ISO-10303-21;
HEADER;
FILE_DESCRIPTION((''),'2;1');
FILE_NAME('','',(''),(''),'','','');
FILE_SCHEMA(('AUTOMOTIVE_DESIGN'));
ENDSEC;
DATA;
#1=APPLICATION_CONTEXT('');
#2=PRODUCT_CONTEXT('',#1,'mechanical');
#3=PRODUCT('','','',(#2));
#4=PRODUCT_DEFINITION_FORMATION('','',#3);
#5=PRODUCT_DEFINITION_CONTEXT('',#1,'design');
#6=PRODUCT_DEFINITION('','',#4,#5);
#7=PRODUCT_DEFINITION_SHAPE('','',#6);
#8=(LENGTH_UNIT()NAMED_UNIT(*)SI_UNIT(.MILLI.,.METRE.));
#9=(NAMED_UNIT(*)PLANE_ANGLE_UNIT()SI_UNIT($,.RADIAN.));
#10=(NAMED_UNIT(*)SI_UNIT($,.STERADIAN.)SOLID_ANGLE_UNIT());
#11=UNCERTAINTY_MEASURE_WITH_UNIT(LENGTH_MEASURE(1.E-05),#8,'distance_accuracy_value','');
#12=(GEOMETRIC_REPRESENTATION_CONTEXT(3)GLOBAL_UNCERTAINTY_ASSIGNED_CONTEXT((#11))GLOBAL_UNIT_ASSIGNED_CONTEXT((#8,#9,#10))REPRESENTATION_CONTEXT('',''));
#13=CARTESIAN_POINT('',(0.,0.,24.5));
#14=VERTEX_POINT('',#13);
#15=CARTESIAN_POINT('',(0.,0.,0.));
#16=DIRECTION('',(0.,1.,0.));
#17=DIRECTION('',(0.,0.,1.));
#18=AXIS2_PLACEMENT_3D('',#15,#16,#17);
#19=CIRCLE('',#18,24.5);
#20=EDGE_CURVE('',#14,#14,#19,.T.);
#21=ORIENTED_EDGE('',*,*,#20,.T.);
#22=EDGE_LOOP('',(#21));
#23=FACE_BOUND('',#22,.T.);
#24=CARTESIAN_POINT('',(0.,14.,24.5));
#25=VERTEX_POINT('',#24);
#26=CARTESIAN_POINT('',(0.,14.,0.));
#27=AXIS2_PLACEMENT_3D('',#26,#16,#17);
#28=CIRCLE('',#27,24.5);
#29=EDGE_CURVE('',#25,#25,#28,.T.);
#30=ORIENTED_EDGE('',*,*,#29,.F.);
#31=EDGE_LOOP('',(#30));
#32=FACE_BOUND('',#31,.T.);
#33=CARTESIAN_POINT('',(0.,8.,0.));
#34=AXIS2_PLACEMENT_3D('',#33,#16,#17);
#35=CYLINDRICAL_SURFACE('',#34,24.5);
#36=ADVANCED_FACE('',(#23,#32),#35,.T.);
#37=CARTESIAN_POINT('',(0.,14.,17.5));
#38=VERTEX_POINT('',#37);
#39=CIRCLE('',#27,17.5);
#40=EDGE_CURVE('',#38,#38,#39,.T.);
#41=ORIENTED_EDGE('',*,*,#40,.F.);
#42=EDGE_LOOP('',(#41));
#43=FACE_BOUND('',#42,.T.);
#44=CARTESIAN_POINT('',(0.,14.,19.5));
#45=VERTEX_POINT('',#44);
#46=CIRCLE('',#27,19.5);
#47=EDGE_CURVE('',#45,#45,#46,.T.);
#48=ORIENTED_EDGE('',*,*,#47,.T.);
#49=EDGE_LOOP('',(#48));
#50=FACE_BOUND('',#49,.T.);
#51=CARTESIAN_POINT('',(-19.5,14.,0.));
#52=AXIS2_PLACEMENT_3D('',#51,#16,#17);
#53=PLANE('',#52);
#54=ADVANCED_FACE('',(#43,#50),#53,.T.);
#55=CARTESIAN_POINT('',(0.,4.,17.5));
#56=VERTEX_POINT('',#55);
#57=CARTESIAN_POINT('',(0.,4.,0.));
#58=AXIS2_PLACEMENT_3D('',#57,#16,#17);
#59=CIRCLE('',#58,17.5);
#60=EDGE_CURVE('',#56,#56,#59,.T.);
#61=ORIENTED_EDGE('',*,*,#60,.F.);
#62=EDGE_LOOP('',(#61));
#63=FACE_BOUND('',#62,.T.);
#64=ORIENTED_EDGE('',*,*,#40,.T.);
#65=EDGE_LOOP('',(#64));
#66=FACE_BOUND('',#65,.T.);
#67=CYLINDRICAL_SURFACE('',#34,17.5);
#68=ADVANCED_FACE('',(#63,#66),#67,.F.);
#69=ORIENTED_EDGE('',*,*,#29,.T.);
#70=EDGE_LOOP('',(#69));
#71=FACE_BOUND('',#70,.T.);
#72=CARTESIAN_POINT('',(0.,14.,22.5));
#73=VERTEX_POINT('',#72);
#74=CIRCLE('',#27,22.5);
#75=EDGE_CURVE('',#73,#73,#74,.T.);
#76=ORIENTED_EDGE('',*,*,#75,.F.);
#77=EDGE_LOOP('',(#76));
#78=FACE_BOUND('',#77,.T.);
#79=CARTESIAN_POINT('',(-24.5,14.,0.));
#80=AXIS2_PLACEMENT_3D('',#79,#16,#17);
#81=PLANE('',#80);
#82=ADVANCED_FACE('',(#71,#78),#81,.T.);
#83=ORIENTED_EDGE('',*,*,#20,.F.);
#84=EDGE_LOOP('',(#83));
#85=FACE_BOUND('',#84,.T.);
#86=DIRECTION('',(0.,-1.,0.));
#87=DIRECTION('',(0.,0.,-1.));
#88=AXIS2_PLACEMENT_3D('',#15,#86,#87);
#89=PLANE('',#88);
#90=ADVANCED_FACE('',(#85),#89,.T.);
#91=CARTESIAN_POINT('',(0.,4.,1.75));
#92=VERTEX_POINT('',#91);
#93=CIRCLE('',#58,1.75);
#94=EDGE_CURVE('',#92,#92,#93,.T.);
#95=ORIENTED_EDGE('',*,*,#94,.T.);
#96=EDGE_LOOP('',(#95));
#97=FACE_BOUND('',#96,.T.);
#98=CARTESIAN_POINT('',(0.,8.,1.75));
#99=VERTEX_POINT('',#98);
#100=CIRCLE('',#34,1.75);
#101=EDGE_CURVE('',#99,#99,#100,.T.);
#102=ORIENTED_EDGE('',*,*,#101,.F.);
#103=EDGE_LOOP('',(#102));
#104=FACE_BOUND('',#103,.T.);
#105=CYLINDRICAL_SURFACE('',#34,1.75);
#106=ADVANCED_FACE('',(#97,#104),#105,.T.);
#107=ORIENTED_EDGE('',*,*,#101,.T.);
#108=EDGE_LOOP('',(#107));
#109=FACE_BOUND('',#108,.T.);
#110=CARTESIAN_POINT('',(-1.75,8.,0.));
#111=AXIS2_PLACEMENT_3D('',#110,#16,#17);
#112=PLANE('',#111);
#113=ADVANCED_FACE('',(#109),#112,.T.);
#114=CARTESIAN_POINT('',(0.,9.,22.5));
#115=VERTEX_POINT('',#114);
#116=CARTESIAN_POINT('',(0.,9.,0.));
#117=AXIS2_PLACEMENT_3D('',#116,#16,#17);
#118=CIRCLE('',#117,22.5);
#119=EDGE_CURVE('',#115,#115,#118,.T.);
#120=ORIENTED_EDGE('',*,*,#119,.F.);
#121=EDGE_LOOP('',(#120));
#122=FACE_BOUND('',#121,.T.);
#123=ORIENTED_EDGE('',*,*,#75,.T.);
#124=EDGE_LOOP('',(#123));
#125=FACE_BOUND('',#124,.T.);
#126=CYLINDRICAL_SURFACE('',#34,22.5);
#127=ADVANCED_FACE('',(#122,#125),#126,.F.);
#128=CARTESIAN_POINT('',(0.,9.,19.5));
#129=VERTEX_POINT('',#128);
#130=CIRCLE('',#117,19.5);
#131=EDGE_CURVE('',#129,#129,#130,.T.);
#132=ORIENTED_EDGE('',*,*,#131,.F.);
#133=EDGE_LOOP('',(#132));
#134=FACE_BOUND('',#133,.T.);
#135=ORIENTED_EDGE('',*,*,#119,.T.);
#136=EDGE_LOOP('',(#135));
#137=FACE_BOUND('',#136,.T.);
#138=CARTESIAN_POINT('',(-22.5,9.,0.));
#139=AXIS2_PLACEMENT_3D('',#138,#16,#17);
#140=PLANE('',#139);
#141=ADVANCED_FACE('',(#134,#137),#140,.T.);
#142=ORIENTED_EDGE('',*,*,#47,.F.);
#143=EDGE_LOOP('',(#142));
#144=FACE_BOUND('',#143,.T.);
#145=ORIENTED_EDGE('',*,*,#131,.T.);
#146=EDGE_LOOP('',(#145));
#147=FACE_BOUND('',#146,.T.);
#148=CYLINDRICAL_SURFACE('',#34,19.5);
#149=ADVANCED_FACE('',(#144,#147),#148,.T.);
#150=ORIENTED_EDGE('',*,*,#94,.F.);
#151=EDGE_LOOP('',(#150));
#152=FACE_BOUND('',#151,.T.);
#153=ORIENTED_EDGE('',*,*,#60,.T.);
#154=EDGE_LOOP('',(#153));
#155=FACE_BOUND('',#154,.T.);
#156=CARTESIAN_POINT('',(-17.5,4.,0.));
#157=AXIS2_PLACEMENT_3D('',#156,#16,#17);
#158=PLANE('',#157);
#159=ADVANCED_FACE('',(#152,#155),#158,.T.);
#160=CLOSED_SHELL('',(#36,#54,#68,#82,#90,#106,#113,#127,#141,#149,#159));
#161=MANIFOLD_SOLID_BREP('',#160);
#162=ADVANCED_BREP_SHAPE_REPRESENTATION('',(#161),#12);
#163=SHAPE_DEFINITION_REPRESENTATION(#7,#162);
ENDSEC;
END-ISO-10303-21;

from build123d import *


with BuildPart() as part:
    # Sketch1 → Revolve1 (revolve)
    with BuildSketch(Plane.XY, mode=Mode.PRIVATE) as revolve1_sk:
        Polygon((0, 0), (-24.5, 0), (-24.5, 14), (-22.5, 14), (-22.5, 9), (-19.5, 9), (-19.5, 14), (-17.5, 14), (-17.5, 4), (-1.75, 4), (-1.75, 8), (0, 8), align=None)
    revolve(revolve1_sk.sketch.rotate(Axis((0, 8, 0), (0, -1, 0)), 270), axis=Axis((0, 8, 0), (0, -1, 0)))


solid = part.part
